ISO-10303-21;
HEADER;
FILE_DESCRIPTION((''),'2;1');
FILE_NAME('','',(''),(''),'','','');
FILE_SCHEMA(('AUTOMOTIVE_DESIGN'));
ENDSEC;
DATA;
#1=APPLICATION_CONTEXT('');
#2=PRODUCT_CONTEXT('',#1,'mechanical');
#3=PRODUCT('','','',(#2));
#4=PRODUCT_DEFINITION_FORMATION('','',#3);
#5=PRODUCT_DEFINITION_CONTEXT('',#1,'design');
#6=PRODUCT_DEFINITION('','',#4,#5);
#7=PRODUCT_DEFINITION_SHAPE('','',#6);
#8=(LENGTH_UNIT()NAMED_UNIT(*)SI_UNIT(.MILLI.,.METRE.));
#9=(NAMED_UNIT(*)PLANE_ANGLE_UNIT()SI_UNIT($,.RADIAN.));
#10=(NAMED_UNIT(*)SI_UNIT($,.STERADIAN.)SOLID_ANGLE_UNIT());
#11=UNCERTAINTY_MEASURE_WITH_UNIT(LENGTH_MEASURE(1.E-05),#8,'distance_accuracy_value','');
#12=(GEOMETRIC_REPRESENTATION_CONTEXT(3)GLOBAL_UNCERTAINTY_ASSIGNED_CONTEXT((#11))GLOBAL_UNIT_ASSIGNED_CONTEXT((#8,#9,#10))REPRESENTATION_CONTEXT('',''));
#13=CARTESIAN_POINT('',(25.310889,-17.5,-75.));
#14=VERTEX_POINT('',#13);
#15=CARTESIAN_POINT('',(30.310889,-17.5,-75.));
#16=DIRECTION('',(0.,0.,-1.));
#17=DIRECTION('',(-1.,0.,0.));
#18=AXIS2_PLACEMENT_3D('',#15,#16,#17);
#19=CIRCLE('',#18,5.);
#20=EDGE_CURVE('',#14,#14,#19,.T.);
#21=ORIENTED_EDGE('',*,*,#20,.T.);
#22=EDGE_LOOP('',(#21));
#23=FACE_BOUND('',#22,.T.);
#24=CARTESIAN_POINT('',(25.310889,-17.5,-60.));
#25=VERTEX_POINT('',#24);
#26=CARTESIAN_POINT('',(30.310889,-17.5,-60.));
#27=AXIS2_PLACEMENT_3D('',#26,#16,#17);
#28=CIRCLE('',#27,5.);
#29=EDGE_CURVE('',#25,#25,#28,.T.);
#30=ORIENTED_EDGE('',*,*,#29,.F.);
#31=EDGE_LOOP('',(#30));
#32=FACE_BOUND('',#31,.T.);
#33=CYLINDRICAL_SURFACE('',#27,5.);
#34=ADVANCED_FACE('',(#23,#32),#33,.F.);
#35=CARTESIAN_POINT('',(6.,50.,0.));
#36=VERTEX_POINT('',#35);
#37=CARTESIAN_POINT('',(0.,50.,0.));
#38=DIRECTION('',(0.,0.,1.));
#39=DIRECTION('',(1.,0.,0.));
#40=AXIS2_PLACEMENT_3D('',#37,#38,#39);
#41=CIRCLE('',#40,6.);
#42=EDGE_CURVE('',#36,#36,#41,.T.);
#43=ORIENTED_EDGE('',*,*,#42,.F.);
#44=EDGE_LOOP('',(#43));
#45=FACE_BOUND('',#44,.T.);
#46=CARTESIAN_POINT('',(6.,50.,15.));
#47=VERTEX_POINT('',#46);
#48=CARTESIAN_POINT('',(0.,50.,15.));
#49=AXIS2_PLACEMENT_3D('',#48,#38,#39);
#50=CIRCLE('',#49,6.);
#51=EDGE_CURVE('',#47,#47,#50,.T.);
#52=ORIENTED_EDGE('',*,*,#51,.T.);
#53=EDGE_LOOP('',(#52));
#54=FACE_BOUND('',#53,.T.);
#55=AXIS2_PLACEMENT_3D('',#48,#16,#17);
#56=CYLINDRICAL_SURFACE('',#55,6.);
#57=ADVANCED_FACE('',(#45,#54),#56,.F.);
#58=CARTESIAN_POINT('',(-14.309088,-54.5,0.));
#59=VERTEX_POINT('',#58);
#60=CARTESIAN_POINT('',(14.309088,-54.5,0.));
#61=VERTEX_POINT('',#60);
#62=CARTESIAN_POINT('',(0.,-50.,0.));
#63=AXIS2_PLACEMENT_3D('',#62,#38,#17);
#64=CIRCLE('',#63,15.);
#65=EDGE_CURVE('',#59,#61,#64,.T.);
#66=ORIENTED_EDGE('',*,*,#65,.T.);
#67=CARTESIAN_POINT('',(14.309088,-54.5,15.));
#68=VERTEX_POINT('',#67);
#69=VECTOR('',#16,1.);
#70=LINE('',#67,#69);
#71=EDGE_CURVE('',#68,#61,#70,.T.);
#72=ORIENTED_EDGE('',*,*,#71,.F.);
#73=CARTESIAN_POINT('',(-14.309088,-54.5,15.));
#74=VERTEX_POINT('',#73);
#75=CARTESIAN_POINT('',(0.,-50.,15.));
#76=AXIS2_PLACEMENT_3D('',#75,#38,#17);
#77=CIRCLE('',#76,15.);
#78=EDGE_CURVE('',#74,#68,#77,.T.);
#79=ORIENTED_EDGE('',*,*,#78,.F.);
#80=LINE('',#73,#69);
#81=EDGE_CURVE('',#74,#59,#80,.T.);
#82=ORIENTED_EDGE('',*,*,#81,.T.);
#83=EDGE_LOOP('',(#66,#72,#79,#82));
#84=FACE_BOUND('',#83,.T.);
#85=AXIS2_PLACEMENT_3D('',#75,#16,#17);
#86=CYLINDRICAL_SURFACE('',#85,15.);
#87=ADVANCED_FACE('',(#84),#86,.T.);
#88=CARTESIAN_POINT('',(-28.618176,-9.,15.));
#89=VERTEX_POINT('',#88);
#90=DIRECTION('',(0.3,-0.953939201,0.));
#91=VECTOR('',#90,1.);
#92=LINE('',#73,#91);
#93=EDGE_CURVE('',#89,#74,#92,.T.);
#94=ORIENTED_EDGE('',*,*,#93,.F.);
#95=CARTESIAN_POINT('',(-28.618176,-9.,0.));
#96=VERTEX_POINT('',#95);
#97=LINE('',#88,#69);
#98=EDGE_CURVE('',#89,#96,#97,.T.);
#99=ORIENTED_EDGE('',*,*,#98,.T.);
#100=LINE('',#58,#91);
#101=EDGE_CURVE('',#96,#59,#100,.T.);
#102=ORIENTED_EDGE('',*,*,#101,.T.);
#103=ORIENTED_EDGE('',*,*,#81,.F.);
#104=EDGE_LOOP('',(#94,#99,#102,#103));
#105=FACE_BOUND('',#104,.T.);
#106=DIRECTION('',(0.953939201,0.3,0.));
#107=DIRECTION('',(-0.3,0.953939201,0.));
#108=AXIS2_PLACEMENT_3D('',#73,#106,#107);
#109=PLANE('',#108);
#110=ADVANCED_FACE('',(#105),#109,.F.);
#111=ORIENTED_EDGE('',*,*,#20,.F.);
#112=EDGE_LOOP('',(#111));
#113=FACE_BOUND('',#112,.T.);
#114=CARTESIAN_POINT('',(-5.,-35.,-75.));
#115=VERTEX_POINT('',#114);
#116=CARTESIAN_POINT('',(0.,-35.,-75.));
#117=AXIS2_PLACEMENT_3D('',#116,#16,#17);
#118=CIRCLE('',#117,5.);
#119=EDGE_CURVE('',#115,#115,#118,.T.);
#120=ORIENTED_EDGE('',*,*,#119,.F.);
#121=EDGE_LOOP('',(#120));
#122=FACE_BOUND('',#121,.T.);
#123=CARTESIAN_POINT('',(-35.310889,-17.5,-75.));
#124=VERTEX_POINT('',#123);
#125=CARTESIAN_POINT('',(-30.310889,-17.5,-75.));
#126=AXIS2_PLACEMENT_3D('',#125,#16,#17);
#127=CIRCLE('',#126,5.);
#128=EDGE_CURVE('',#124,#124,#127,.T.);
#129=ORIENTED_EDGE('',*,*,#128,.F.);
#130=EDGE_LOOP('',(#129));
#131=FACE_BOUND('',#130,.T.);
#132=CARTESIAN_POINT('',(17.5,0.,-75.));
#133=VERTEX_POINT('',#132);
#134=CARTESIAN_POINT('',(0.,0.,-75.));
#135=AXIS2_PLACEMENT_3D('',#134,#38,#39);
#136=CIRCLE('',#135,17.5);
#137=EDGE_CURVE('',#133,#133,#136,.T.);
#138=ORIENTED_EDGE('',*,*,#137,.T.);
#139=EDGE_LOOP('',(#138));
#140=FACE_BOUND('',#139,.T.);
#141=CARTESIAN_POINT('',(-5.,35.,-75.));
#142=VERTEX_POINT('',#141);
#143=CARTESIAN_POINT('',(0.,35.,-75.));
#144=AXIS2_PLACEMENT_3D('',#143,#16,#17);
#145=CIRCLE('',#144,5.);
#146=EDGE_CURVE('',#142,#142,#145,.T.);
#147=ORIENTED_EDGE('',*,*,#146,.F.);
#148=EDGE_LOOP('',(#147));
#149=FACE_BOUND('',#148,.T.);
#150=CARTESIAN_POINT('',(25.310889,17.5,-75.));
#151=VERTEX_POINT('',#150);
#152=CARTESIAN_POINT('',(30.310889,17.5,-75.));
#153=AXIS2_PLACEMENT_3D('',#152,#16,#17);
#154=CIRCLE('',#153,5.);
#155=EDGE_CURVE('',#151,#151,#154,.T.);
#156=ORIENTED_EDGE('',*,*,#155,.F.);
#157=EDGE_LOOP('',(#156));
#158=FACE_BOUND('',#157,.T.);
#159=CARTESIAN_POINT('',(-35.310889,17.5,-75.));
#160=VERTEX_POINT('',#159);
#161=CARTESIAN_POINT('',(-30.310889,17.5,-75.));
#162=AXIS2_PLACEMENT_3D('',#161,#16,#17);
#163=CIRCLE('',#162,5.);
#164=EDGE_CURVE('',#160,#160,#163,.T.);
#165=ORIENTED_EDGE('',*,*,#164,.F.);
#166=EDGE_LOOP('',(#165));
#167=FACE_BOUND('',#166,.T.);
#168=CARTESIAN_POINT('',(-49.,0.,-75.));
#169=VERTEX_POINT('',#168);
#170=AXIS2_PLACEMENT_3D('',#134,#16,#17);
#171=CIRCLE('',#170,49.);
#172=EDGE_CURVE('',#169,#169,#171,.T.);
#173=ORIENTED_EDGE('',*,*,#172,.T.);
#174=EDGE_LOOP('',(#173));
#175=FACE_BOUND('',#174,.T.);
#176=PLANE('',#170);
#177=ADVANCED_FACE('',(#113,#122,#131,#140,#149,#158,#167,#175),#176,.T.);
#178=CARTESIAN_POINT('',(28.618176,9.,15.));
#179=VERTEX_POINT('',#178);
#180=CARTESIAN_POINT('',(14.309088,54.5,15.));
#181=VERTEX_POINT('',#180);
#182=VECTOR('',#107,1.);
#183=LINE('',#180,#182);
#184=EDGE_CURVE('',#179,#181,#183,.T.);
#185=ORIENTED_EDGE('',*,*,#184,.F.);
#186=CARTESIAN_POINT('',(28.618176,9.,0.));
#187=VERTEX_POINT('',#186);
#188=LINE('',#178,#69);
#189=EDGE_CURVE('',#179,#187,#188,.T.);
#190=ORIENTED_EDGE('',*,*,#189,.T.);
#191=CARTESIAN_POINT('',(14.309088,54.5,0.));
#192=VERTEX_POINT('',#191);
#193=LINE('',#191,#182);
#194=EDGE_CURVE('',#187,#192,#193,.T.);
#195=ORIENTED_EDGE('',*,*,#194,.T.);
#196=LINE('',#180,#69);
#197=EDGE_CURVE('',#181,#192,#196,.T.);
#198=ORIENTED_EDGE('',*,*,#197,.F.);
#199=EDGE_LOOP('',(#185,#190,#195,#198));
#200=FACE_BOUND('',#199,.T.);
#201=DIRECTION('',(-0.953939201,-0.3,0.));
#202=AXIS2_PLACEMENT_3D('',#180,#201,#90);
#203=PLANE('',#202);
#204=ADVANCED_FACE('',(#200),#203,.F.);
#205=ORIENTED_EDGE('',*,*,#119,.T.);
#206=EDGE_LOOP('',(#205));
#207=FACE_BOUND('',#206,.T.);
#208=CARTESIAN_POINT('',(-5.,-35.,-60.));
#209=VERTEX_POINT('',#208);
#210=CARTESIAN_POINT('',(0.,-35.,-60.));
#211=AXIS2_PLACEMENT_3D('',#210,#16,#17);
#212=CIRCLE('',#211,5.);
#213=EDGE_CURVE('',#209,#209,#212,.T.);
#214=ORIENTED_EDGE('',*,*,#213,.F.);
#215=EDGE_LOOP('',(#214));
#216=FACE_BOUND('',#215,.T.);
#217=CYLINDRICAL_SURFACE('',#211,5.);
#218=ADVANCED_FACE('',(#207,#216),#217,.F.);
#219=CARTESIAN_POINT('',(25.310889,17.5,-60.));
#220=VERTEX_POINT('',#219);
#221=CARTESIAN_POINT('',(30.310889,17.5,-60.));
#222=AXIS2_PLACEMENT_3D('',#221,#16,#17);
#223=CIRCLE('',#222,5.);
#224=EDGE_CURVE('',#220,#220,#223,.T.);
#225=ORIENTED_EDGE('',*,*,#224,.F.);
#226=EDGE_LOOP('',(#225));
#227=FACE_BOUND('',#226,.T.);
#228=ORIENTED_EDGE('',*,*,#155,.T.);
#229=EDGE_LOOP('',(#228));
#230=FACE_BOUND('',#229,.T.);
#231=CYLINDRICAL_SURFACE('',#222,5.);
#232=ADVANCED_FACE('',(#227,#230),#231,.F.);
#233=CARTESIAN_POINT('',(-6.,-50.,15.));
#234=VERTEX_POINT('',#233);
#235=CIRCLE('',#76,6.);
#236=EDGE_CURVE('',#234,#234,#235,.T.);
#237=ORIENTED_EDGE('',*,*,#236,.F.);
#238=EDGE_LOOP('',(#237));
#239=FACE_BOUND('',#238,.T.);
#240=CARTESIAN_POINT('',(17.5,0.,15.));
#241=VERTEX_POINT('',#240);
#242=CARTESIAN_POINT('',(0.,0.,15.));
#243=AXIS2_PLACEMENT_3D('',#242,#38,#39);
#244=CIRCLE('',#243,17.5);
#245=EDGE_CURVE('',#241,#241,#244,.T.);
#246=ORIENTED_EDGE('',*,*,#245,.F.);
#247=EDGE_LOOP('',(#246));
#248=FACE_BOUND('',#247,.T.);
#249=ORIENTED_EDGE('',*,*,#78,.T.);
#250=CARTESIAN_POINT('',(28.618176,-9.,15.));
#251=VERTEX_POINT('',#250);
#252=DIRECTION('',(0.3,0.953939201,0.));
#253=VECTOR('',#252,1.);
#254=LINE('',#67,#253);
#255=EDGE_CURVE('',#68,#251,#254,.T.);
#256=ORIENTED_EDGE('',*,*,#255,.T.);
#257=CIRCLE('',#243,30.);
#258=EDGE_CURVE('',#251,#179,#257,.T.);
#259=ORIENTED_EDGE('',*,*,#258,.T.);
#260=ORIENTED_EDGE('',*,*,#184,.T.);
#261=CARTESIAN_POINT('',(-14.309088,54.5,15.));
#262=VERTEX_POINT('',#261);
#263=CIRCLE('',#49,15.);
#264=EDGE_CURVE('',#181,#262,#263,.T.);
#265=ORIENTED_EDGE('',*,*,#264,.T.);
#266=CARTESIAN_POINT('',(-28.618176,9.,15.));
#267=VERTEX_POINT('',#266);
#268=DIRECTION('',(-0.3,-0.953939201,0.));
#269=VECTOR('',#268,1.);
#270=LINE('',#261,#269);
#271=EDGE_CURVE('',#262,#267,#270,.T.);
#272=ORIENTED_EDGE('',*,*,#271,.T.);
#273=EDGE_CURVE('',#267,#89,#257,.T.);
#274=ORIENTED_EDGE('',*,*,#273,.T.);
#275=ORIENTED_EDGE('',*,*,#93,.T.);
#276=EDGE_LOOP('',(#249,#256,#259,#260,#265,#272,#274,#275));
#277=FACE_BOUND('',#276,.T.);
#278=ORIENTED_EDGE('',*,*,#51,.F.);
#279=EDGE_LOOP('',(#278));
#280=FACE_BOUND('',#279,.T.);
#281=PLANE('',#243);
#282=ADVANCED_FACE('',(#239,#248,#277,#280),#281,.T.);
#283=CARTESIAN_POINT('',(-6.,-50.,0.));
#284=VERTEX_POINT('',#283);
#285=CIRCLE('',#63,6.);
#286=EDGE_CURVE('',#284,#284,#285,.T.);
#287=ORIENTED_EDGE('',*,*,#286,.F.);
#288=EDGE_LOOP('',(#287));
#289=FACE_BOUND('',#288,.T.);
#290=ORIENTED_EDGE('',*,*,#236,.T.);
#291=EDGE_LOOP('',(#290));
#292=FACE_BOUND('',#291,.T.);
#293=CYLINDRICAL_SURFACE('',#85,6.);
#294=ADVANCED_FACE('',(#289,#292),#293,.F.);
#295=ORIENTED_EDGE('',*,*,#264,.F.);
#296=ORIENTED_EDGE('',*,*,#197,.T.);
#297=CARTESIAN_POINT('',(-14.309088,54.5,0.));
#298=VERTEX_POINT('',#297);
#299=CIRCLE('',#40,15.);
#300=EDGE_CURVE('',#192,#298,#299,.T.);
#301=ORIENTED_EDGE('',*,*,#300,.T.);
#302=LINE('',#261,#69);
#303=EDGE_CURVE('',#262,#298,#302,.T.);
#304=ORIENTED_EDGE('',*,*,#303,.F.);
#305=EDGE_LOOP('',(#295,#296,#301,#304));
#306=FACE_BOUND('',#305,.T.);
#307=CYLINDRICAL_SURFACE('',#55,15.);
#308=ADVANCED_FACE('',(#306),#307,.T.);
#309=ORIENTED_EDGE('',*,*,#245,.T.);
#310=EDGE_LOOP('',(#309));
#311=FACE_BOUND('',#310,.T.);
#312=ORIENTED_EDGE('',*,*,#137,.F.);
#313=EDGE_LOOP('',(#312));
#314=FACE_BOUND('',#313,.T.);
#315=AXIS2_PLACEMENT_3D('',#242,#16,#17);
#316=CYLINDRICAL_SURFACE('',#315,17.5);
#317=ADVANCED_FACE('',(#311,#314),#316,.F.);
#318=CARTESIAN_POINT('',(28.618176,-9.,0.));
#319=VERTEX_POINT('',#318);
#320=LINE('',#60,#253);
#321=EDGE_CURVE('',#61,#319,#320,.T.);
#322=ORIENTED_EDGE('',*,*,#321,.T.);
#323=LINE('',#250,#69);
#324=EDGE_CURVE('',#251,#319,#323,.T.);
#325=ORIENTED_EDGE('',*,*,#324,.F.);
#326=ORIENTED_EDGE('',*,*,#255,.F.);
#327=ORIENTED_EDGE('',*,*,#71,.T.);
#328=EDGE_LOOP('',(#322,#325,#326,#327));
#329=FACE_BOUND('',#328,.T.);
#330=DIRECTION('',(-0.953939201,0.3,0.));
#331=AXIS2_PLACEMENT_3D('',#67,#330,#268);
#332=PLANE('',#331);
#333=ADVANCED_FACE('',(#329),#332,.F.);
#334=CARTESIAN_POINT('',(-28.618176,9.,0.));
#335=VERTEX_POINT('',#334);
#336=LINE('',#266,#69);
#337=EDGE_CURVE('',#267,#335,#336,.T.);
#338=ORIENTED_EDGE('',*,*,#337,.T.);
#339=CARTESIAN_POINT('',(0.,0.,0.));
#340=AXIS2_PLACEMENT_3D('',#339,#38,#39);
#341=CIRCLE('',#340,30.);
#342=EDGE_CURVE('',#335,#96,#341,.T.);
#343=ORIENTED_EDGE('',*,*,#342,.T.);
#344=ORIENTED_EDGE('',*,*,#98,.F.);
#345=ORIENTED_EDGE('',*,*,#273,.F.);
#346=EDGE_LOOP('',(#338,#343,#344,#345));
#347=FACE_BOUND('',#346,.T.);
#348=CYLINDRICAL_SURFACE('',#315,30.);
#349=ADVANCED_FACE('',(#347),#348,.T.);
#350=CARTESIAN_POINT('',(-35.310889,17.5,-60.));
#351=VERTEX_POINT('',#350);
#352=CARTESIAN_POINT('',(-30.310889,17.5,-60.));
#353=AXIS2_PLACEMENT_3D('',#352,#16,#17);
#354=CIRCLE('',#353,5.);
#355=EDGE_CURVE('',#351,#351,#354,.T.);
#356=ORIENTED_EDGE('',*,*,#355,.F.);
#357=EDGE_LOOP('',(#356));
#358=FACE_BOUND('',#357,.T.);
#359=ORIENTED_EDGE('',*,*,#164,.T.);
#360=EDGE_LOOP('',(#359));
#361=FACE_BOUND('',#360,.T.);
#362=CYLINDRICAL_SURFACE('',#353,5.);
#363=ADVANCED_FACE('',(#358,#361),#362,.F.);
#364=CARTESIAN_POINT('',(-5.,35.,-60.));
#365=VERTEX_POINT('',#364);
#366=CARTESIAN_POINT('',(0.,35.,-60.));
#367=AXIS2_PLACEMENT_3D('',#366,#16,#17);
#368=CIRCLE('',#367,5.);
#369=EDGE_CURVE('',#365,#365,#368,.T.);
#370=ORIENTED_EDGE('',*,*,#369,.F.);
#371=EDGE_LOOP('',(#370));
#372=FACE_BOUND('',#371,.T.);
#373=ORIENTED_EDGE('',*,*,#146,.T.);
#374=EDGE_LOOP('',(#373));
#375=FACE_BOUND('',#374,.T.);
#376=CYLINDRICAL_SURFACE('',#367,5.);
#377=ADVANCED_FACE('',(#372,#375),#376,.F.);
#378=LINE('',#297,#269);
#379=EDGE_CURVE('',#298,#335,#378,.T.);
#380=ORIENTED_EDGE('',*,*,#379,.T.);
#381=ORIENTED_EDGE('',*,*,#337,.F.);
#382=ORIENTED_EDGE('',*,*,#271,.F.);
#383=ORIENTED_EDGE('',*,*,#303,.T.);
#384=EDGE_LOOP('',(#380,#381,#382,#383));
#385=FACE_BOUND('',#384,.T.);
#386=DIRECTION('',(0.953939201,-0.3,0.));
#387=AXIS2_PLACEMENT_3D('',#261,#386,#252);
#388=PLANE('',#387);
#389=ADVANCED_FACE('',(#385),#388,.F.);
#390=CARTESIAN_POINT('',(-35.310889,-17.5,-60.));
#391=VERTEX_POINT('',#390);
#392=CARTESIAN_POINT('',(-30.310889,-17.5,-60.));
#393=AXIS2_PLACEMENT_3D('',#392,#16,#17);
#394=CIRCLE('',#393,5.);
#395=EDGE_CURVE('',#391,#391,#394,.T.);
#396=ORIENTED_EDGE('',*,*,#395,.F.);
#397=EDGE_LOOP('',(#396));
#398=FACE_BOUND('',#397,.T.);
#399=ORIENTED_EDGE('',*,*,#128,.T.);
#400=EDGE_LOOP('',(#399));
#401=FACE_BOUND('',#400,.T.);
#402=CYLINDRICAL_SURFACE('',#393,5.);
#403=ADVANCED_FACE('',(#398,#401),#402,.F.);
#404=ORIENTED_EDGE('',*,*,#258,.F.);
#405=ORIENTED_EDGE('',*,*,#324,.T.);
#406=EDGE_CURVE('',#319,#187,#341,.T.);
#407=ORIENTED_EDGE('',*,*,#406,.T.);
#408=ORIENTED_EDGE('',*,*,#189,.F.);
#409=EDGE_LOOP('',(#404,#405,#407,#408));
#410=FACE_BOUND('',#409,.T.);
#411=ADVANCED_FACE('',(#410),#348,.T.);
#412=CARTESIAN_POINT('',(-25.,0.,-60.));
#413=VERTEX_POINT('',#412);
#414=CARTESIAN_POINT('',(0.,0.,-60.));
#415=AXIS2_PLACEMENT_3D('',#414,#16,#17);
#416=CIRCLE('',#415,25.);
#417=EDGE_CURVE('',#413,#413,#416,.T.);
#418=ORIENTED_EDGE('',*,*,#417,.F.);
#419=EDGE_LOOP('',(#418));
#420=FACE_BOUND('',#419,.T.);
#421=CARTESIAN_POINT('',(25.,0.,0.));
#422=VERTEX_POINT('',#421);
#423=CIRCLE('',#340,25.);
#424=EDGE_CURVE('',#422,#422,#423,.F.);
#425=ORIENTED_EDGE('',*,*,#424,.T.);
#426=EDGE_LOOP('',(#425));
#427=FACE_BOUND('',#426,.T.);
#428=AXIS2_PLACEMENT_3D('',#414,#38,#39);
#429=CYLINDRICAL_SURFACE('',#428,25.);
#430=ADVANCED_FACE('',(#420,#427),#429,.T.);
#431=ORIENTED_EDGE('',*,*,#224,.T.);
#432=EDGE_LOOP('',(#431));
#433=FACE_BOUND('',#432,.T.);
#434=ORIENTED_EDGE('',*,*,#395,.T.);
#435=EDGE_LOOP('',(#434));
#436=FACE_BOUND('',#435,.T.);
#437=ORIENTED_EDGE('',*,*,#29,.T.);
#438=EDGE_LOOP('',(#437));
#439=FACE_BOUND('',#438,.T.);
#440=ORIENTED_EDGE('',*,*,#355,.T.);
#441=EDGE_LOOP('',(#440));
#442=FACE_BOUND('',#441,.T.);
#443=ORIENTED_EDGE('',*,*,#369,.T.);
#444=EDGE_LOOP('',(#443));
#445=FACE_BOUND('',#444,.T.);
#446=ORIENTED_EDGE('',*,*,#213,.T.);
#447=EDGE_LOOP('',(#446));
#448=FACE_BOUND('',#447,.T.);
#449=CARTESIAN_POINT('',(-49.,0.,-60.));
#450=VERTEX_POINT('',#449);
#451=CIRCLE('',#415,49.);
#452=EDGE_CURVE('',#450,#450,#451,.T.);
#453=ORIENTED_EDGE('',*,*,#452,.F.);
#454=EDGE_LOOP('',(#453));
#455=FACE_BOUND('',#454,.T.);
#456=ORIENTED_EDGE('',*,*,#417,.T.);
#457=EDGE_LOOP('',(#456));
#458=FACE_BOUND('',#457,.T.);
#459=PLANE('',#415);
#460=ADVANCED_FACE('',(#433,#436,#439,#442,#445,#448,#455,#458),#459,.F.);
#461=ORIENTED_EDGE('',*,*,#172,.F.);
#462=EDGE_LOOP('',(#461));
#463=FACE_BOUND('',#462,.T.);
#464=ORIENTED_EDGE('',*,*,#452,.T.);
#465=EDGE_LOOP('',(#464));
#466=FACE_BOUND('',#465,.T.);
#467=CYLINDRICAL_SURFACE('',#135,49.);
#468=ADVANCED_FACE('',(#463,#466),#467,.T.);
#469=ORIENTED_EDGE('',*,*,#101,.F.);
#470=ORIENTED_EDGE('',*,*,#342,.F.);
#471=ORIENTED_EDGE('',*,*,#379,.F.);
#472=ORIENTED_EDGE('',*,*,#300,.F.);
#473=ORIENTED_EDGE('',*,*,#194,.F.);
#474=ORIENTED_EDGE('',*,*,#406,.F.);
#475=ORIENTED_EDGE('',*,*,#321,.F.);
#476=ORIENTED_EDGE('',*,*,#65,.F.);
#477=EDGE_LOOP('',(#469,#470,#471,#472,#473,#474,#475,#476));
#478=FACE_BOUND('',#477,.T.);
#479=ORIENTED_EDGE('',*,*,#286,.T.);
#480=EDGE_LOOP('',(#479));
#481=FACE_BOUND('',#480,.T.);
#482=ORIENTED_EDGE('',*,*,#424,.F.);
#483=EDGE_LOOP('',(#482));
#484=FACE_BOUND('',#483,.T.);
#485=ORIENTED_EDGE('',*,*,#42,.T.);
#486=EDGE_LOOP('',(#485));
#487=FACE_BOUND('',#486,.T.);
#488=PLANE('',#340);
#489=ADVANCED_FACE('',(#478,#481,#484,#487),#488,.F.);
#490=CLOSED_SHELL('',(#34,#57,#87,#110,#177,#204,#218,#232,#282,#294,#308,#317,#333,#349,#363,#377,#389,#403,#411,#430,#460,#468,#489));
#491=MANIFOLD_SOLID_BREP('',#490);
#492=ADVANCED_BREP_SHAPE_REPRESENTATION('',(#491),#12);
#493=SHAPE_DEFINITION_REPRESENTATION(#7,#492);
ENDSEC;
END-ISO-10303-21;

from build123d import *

# Parameters (mm, degrees)
SKETCH2_R           = 6
SKETCH2_R_2         = 17.5
BOSS_EXTRUDE1_DEPTH = 15
SKETCH3_R           = 25
BOSS_EXTRUDE3_DEPTH = 60
SKETCH4_R           = 49
BOSS_EXTRUDE4_DEPTH = 15
SKETCH5_R           = 5
CUT_EXTRUDE1_DEPTH  = 15
SKETCH6_R           = 17.5
CUT_EXTRUDE2_DEPTH  = 111.684235553


with BuildPart() as part:
    # Sketch2 → Boss-Extrude1 (new body)
    with BuildSketch(Plane.XY):
        with BuildLine():
            Line((14.309088021, 54.5), (28.618176043, 9))
            ThreePointArc((28.618176043, 9), (30, 0), (28.618176043, -9))
            Line((28.618176043, -9), (14.309088021, -54.5))
            ThreePointArc((14.309088021, -54.5), (0, -65), (-14.309088021, -54.5))
            Line((-14.309088021, -54.5), (-28.618176043, -9))
            ThreePointArc((-28.618176043, -9), (-30, 0), (-28.618176043, 9))
            Line((-28.618176043, 9), (-14.309088021, 54.5))
            ThreePointArc((-14.309088021, 54.5), (0, 65), (14.309088021, 54.5))
        make_face()
        with Locations((0, 50)):
            Circle(SKETCH2_R, mode=Mode.SUBTRACT)
        Circle(SKETCH2_R_2, mode=Mode.SUBTRACT)
        with Locations(Location((0, -50, 0), (0, 0, 180))):
            Circle(SKETCH2_R, mode=Mode.SUBTRACT)
    extrude(amount=BOSS_EXTRUDE1_DEPTH)

    # Sketch3 → Boss-Extrude3 (add)
    with BuildSketch(Plane(origin=(0, 0, 0), x_dir=(-1, 0, 0), z_dir=(0, 0, -1))):
        with Locations(Location((0, 0, 0), (0, 0, 180))):
            Circle(SKETCH3_R)
    extrude(amount=BOSS_EXTRUDE3_DEPTH)

    # Sketch4 → Boss-Extrude4 (add)
    with BuildSketch(Plane(origin=(0, 0, -60), x_dir=(-1, 0, 0), z_dir=(0, 0, -1))):
        Circle(SKETCH4_R)
    extrude(amount=BOSS_EXTRUDE4_DEPTH)

    # Sketch5 → Cut-Extrude1 (cut)
    with BuildSketch(Plane(origin=(0, 0, -75), x_dir=(-1, 0, 0), z_dir=(0, 0, -1))):
        with Locations((0, 35)):
            Circle(SKETCH5_R)
        with Locations((30.310889132, 17.5)):
            Circle(SKETCH5_R)
        with Locations((30.310889132, -17.5)):
            Circle(SKETCH5_R)
        with Locations((0, -35)):
            Circle(SKETCH5_R)
        with Locations((-30.310889132, -17.5)):
            Circle(SKETCH5_R)
        with Locations((-30.310889132, 17.5)):
            Circle(SKETCH5_R)
    extrude(amount=-CUT_EXTRUDE1_DEPTH, mode=Mode.SUBTRACT)

    # Sketch6 → Cut-Extrude2 (cut, through all)
    with BuildSketch(Plane.XY):
        Circle(SKETCH6_R)
    extrude(amount=-CUT_EXTRUDE2_DEPTH, mode=Mode.SUBTRACT)


solid = part.part
